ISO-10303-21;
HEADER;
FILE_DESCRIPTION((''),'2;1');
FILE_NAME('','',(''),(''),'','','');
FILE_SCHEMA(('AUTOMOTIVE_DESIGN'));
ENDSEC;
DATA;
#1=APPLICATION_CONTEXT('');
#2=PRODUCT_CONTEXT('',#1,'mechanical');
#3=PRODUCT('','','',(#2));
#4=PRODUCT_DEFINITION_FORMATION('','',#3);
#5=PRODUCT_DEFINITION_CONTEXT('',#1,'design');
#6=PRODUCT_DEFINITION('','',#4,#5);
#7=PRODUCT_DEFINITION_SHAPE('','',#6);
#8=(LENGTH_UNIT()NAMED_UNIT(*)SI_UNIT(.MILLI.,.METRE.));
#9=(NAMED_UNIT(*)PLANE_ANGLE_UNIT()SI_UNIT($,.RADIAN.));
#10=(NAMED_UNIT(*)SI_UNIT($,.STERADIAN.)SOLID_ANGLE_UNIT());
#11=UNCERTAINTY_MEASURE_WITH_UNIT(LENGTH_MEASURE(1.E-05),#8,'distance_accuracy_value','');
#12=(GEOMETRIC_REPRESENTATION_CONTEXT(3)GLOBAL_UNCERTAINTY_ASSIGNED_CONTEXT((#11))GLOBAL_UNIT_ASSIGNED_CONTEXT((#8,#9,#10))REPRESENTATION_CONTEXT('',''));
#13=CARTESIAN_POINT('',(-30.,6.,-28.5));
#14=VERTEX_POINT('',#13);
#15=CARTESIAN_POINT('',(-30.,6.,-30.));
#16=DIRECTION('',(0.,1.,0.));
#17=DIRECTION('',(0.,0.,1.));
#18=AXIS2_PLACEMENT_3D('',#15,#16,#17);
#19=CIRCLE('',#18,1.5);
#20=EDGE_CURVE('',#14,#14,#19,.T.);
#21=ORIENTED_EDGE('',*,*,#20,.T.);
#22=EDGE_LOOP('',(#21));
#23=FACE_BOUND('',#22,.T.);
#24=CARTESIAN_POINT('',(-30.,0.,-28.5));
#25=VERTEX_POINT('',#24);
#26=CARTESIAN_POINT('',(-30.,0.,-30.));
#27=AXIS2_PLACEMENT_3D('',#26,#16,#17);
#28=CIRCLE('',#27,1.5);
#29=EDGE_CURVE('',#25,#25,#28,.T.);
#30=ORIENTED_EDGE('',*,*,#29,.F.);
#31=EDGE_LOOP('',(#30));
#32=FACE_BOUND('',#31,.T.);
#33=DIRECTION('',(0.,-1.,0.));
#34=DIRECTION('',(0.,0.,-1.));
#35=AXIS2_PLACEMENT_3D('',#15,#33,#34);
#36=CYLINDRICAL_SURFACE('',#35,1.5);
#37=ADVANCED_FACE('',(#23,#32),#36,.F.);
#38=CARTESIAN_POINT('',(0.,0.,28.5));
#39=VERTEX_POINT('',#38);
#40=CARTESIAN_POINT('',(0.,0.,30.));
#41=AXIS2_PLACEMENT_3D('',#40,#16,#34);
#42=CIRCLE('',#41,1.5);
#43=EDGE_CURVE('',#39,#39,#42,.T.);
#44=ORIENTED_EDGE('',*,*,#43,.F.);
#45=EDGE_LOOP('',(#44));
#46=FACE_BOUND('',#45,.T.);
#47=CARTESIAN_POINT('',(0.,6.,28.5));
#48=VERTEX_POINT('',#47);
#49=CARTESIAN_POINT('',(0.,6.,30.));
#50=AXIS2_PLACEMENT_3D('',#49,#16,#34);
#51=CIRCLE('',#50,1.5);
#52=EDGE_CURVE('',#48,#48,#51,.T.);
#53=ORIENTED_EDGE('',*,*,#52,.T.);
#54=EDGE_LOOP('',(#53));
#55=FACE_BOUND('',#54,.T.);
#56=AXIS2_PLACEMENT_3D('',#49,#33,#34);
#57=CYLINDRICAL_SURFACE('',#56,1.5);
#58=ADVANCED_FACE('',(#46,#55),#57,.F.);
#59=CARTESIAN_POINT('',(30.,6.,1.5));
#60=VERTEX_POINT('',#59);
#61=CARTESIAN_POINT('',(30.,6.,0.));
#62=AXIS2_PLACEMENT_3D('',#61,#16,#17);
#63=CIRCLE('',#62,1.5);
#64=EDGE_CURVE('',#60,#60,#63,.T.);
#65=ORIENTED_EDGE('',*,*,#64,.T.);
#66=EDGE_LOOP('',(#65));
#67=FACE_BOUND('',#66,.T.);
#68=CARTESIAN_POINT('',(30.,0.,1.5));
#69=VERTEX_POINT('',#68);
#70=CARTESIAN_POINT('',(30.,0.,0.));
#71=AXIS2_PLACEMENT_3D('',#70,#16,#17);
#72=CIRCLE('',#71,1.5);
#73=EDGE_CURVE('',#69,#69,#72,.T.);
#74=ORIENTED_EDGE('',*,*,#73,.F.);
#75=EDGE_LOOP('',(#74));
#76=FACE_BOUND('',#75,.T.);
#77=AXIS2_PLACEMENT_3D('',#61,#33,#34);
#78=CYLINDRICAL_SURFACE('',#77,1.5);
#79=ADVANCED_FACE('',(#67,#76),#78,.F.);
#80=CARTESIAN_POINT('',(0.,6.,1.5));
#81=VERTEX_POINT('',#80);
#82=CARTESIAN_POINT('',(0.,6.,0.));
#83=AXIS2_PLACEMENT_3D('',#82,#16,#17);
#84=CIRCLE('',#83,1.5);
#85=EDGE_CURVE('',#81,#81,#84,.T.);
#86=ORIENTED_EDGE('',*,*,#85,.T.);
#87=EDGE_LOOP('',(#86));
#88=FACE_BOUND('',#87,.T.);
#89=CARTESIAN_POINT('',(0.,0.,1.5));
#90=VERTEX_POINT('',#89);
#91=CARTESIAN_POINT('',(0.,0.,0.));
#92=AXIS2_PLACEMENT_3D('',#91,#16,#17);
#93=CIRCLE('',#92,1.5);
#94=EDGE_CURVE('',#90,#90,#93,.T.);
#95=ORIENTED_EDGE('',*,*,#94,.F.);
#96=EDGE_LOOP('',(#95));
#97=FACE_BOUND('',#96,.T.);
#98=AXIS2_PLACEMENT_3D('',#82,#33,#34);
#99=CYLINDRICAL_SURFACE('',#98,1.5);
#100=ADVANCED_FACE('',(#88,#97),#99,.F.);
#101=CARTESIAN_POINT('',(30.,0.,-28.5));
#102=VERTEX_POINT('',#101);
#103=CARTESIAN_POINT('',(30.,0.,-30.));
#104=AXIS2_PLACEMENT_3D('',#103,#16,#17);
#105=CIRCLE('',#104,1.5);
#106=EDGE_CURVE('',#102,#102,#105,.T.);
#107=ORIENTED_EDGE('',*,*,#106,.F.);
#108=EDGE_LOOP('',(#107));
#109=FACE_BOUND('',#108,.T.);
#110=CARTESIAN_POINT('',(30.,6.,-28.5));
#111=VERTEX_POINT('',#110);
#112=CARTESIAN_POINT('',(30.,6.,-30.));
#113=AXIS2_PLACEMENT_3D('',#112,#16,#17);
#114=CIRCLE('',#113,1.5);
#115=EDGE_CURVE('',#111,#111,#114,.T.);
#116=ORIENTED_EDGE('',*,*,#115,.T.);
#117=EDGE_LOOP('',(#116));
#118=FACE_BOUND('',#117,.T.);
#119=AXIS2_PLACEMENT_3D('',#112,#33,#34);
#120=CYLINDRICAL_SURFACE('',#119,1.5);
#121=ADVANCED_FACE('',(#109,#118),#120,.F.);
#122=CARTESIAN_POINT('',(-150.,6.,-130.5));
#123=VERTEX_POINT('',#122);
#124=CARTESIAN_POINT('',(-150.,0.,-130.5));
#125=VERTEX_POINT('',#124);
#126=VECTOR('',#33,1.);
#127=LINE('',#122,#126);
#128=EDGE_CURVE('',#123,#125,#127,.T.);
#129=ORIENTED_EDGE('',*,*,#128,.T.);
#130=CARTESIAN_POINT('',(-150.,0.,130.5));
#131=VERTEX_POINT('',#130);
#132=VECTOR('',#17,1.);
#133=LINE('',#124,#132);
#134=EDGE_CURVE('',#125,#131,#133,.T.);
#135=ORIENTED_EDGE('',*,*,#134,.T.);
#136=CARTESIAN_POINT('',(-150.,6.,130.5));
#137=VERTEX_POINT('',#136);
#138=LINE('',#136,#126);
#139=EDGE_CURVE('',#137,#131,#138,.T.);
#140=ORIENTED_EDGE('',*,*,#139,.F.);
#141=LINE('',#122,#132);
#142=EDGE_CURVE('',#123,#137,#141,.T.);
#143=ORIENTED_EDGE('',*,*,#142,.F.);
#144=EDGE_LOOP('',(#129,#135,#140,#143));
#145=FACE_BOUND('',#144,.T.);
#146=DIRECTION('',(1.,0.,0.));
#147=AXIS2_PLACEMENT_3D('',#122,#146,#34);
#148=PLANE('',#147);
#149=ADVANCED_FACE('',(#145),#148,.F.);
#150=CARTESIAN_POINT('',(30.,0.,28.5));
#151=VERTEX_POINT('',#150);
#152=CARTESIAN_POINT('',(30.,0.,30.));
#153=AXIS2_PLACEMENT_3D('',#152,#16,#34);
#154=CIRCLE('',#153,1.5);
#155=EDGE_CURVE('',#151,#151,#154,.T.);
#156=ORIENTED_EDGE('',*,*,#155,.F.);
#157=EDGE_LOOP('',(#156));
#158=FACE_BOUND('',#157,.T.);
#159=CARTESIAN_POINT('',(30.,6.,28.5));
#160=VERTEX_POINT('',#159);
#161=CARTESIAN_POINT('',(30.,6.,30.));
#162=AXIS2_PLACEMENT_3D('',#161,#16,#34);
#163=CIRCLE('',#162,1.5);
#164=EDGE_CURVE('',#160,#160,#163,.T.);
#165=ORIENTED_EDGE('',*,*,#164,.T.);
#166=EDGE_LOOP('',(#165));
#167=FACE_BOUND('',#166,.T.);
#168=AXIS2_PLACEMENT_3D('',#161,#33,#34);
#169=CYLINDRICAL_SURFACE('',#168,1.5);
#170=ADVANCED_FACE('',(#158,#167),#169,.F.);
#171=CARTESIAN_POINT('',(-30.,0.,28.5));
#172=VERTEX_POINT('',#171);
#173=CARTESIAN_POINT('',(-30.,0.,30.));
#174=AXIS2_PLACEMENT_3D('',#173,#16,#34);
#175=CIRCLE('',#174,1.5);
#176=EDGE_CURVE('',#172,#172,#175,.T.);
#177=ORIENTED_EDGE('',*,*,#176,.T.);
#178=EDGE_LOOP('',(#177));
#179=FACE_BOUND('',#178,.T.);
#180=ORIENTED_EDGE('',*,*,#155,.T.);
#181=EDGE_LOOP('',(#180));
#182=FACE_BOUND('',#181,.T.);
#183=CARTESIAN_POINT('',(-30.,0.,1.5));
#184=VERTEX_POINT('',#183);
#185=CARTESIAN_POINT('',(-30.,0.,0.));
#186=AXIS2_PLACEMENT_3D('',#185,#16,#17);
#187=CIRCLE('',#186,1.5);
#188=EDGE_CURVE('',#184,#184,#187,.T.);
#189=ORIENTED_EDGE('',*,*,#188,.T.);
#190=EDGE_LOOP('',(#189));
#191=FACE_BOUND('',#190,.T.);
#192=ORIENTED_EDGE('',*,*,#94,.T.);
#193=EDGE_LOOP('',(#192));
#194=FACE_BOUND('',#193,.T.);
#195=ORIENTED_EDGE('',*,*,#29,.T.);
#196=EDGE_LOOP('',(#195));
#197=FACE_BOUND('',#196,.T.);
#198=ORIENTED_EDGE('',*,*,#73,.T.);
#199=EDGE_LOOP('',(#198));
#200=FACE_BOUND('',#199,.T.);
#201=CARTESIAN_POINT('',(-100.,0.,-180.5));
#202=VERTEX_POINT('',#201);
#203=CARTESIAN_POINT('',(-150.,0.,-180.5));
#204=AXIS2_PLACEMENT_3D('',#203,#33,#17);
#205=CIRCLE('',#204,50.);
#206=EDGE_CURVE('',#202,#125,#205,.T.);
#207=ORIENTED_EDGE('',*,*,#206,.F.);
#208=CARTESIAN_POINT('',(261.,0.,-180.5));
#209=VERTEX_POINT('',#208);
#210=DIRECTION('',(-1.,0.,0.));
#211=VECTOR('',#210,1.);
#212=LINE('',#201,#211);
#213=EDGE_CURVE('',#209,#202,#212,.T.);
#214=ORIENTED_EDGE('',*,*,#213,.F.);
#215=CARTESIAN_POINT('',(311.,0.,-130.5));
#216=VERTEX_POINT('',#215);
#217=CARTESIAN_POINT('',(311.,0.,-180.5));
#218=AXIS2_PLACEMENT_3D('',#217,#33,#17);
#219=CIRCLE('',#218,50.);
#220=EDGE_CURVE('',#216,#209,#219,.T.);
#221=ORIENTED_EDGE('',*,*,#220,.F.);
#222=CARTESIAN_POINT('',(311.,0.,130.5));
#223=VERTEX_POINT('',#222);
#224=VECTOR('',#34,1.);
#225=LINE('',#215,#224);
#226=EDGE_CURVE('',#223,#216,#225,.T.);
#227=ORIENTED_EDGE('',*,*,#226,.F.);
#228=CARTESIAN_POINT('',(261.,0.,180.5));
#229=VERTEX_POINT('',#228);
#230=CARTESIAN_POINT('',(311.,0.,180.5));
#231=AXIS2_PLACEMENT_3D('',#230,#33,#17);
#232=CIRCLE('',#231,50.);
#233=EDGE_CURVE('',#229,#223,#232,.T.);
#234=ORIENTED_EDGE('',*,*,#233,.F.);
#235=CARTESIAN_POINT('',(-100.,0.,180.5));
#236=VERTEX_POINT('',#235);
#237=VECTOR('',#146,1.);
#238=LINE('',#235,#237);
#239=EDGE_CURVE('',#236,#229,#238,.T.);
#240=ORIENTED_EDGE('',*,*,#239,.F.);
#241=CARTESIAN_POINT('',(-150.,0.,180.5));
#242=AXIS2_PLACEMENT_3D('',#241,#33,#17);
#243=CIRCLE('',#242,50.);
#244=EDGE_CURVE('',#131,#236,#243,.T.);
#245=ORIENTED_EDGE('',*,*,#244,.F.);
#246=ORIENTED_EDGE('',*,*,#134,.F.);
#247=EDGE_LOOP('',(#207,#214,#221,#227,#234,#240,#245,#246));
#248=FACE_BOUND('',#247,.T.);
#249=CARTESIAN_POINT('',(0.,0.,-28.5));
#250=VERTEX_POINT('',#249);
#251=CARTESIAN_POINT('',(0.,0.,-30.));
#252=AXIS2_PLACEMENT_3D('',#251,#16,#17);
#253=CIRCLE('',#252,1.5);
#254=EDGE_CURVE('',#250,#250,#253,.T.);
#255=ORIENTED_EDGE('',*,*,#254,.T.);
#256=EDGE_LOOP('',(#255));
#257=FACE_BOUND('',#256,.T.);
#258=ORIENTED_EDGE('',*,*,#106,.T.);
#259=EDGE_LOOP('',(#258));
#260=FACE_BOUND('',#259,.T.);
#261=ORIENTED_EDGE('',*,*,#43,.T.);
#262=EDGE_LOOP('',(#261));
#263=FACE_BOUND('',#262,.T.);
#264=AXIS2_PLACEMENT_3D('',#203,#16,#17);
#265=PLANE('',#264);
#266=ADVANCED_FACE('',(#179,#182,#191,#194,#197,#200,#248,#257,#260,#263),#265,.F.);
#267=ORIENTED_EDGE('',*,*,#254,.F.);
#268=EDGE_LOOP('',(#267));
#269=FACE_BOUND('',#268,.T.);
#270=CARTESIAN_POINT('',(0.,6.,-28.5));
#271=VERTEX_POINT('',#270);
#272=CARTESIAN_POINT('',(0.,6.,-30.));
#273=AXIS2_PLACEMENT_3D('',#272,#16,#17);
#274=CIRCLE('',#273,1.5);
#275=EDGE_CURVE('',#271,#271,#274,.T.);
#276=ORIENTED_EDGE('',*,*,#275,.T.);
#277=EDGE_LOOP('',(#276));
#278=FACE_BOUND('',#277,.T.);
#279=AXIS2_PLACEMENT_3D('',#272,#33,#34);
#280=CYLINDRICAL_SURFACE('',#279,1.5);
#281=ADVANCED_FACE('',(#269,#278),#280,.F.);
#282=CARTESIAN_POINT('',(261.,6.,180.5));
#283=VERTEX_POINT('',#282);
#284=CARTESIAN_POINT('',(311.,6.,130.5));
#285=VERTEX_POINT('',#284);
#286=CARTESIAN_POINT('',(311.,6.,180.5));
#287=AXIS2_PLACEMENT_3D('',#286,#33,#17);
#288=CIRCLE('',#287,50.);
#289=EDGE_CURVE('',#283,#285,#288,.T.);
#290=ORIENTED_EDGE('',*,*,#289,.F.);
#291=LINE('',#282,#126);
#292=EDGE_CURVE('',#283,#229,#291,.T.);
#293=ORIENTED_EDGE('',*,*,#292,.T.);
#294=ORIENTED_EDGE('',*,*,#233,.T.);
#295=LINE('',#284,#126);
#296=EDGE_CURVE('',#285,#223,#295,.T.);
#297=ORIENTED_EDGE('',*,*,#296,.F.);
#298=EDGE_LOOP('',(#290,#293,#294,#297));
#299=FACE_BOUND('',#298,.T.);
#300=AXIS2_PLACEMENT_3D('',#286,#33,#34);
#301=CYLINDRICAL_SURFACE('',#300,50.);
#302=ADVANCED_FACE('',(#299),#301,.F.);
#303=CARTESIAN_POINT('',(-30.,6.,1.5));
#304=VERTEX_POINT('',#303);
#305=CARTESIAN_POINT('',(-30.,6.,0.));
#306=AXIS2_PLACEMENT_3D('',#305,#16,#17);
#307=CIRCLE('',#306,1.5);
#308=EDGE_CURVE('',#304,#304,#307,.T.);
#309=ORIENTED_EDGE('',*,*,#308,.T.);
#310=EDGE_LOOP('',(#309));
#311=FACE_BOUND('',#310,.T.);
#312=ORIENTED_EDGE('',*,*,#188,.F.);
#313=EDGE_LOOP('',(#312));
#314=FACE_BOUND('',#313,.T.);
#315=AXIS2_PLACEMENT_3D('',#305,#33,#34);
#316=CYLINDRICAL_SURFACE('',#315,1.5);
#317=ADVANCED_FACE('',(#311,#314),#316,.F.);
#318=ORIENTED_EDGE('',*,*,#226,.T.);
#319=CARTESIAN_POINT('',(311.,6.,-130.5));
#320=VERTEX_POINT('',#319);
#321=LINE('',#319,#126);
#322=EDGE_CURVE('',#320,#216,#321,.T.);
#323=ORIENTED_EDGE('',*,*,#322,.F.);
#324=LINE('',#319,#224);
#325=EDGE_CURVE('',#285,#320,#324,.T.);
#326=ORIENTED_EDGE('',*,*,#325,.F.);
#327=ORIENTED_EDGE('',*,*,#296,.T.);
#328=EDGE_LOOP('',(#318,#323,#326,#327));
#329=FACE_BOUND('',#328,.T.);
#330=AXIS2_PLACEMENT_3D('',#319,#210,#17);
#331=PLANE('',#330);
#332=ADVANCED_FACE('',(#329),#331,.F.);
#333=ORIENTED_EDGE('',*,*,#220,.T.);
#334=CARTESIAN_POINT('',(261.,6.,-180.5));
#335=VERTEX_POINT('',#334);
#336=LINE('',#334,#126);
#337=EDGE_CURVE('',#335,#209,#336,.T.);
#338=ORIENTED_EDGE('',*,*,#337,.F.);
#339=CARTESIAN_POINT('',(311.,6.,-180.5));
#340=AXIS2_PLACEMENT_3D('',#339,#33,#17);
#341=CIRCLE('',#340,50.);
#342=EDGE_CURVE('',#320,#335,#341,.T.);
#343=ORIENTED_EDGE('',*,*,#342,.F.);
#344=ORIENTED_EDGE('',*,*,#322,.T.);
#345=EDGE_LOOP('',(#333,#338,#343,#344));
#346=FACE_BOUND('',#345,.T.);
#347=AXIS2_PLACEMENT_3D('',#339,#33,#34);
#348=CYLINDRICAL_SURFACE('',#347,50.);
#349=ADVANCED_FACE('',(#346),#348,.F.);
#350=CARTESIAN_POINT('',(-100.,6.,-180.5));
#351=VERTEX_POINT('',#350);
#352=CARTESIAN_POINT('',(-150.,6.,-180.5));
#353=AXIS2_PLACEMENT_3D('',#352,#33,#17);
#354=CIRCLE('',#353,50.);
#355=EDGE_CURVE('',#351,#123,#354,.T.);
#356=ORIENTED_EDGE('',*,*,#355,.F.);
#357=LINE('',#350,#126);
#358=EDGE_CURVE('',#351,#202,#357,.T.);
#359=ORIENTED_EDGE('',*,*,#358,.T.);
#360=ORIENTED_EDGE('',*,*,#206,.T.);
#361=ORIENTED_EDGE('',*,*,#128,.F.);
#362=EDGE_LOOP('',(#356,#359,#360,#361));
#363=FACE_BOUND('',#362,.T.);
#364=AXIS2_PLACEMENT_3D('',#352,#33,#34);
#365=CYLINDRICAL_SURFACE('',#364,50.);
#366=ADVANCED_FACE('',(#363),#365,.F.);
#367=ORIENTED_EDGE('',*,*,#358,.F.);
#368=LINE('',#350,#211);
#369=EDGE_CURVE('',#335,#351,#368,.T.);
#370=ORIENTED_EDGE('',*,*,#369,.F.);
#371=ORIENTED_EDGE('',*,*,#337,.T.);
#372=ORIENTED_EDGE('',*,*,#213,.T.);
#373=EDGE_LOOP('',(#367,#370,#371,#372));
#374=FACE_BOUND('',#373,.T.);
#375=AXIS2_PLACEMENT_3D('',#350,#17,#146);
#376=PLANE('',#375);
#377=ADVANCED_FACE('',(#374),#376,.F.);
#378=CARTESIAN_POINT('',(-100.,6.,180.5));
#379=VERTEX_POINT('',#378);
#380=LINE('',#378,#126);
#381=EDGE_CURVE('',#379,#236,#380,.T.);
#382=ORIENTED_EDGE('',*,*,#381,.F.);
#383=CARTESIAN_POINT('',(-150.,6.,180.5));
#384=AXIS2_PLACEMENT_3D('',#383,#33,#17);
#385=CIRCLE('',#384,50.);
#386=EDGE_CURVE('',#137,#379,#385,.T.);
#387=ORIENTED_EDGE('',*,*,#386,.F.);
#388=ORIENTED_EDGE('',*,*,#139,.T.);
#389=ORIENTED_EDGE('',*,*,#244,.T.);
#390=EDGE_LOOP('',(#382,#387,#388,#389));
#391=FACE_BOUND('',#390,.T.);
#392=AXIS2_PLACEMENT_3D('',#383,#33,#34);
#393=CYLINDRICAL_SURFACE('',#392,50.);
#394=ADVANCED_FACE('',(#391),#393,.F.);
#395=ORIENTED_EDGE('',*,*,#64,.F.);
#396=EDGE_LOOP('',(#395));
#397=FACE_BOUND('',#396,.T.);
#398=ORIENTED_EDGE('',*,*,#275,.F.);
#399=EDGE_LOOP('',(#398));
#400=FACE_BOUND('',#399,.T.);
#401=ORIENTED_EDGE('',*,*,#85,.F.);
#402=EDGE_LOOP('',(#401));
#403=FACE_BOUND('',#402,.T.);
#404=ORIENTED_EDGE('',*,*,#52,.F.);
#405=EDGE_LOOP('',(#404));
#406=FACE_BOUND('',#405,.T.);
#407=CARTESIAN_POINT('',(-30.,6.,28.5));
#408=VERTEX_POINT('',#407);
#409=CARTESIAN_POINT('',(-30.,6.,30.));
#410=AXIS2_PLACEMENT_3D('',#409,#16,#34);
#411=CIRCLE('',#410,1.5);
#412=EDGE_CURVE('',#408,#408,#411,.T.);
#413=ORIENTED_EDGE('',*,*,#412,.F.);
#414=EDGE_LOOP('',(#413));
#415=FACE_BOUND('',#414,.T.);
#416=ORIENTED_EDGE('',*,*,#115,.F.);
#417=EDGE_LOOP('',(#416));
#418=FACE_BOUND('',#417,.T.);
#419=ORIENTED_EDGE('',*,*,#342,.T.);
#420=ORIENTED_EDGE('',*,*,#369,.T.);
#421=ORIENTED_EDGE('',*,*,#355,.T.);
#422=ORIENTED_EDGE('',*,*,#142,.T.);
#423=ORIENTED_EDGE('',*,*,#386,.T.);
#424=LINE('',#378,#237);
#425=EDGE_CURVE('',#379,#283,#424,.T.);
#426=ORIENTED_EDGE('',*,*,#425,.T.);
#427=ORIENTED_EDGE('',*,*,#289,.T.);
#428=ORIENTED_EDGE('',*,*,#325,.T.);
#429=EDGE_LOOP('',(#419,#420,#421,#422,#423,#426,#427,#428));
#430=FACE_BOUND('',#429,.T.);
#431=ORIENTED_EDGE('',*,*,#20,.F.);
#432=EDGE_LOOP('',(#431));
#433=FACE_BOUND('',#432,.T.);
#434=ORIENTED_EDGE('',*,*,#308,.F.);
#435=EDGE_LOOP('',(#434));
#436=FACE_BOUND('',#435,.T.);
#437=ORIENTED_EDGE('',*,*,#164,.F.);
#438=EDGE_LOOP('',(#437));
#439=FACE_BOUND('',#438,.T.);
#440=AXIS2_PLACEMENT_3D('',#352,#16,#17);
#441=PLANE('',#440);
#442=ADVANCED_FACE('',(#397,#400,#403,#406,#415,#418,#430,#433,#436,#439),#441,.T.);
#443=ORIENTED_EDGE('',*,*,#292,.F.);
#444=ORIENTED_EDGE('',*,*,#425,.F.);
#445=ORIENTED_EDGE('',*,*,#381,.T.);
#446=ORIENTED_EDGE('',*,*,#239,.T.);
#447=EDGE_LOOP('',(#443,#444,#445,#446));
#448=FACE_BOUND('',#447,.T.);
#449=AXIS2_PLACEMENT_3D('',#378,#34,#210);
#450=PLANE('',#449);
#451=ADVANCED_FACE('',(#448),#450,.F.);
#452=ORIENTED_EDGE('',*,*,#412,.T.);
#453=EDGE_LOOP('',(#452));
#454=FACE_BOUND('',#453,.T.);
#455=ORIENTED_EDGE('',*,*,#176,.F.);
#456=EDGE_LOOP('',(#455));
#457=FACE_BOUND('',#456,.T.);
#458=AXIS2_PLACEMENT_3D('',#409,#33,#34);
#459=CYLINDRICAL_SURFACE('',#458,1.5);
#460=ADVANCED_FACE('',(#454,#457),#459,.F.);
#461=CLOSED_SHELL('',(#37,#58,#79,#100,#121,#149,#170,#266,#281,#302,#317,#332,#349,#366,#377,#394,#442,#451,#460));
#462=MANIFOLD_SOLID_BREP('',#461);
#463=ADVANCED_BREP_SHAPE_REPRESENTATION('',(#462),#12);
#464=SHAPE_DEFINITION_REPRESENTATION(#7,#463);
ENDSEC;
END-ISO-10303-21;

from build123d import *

# Parameters (mm, degrees)
SKETCH_1_R      = 1.5
EXTRUDE_1_DEPTH = 6


with BuildPart() as part:
    # 草图1 → 凸台-拉伸1 (new body)
    with BuildSketch(Plane(origin=(0, 0, 0), x_dir=(1, 0, 0), z_dir=(0, 1, 0))):
        with BuildLine():
            Line((-100, 180.5), (261, 180.5))
            ThreePointArc((261, 180.5), (275.644660941, 145.144660941), (311, 130.5))
            Line((311, 130.5), (311, -130.5))
            ThreePointArc((311, -130.5), (275.644660941, -145.144660941), (261, -180.5))
            Line((261, -180.5), (-100, -180.5))
            ThreePointArc((-100, -180.5), (-114.644660941, -145.144660941), (-150, -130.5))
            Line((-150, -130.5), (-150, 130.5))
            ThreePointArc((-150, 130.5), (-114.644660941, 145.144660941), (-100, 180.5))
        make_face()
        with Locations(Location((-30, 0, 0), (0, 0, 270))):
            Circle(SKETCH_1_R, mode=Mode.SUBTRACT)
        with Locations(Location((-30, 30, 0), (0, 0, 270))):
            Circle(SKETCH_1_R, mode=Mode.SUBTRACT)
        with Locations(Location((0, 30, 0), (0, 0, 270))):
            Circle(SKETCH_1_R, mode=Mode.SUBTRACT)
        with Locations(Location((30, 30, 0), (0, 0, 270))):
            Circle(SKETCH_1_R, mode=Mode.SUBTRACT)
        with Locations(Location((0, 0, 0), (0, 0, 270))):
            Circle(SKETCH_1_R, mode=Mode.SUBTRACT)
        with Locations(Location((30, 0, 0), (0, 0, 270))):
            Circle(SKETCH_1_R, mode=Mode.SUBTRACT)
        with Locations(Location((30, -30, 0), (0, 0, 90))):
            Circle(SKETCH_1_R, mode=Mode.SUBTRACT)
        with Locations(Location((0, -30, 0), (0, 0, 90))):
            Circle(SKETCH_1_R, mode=Mode.SUBTRACT)
        with Locations(Location((-30, -30, 0), (0, 0, 90))):
            Circle(SKETCH_1_R, mode=Mode.SUBTRACT)
    extrude(amount=EXTRUDE_1_DEPTH)


solid = part.part
